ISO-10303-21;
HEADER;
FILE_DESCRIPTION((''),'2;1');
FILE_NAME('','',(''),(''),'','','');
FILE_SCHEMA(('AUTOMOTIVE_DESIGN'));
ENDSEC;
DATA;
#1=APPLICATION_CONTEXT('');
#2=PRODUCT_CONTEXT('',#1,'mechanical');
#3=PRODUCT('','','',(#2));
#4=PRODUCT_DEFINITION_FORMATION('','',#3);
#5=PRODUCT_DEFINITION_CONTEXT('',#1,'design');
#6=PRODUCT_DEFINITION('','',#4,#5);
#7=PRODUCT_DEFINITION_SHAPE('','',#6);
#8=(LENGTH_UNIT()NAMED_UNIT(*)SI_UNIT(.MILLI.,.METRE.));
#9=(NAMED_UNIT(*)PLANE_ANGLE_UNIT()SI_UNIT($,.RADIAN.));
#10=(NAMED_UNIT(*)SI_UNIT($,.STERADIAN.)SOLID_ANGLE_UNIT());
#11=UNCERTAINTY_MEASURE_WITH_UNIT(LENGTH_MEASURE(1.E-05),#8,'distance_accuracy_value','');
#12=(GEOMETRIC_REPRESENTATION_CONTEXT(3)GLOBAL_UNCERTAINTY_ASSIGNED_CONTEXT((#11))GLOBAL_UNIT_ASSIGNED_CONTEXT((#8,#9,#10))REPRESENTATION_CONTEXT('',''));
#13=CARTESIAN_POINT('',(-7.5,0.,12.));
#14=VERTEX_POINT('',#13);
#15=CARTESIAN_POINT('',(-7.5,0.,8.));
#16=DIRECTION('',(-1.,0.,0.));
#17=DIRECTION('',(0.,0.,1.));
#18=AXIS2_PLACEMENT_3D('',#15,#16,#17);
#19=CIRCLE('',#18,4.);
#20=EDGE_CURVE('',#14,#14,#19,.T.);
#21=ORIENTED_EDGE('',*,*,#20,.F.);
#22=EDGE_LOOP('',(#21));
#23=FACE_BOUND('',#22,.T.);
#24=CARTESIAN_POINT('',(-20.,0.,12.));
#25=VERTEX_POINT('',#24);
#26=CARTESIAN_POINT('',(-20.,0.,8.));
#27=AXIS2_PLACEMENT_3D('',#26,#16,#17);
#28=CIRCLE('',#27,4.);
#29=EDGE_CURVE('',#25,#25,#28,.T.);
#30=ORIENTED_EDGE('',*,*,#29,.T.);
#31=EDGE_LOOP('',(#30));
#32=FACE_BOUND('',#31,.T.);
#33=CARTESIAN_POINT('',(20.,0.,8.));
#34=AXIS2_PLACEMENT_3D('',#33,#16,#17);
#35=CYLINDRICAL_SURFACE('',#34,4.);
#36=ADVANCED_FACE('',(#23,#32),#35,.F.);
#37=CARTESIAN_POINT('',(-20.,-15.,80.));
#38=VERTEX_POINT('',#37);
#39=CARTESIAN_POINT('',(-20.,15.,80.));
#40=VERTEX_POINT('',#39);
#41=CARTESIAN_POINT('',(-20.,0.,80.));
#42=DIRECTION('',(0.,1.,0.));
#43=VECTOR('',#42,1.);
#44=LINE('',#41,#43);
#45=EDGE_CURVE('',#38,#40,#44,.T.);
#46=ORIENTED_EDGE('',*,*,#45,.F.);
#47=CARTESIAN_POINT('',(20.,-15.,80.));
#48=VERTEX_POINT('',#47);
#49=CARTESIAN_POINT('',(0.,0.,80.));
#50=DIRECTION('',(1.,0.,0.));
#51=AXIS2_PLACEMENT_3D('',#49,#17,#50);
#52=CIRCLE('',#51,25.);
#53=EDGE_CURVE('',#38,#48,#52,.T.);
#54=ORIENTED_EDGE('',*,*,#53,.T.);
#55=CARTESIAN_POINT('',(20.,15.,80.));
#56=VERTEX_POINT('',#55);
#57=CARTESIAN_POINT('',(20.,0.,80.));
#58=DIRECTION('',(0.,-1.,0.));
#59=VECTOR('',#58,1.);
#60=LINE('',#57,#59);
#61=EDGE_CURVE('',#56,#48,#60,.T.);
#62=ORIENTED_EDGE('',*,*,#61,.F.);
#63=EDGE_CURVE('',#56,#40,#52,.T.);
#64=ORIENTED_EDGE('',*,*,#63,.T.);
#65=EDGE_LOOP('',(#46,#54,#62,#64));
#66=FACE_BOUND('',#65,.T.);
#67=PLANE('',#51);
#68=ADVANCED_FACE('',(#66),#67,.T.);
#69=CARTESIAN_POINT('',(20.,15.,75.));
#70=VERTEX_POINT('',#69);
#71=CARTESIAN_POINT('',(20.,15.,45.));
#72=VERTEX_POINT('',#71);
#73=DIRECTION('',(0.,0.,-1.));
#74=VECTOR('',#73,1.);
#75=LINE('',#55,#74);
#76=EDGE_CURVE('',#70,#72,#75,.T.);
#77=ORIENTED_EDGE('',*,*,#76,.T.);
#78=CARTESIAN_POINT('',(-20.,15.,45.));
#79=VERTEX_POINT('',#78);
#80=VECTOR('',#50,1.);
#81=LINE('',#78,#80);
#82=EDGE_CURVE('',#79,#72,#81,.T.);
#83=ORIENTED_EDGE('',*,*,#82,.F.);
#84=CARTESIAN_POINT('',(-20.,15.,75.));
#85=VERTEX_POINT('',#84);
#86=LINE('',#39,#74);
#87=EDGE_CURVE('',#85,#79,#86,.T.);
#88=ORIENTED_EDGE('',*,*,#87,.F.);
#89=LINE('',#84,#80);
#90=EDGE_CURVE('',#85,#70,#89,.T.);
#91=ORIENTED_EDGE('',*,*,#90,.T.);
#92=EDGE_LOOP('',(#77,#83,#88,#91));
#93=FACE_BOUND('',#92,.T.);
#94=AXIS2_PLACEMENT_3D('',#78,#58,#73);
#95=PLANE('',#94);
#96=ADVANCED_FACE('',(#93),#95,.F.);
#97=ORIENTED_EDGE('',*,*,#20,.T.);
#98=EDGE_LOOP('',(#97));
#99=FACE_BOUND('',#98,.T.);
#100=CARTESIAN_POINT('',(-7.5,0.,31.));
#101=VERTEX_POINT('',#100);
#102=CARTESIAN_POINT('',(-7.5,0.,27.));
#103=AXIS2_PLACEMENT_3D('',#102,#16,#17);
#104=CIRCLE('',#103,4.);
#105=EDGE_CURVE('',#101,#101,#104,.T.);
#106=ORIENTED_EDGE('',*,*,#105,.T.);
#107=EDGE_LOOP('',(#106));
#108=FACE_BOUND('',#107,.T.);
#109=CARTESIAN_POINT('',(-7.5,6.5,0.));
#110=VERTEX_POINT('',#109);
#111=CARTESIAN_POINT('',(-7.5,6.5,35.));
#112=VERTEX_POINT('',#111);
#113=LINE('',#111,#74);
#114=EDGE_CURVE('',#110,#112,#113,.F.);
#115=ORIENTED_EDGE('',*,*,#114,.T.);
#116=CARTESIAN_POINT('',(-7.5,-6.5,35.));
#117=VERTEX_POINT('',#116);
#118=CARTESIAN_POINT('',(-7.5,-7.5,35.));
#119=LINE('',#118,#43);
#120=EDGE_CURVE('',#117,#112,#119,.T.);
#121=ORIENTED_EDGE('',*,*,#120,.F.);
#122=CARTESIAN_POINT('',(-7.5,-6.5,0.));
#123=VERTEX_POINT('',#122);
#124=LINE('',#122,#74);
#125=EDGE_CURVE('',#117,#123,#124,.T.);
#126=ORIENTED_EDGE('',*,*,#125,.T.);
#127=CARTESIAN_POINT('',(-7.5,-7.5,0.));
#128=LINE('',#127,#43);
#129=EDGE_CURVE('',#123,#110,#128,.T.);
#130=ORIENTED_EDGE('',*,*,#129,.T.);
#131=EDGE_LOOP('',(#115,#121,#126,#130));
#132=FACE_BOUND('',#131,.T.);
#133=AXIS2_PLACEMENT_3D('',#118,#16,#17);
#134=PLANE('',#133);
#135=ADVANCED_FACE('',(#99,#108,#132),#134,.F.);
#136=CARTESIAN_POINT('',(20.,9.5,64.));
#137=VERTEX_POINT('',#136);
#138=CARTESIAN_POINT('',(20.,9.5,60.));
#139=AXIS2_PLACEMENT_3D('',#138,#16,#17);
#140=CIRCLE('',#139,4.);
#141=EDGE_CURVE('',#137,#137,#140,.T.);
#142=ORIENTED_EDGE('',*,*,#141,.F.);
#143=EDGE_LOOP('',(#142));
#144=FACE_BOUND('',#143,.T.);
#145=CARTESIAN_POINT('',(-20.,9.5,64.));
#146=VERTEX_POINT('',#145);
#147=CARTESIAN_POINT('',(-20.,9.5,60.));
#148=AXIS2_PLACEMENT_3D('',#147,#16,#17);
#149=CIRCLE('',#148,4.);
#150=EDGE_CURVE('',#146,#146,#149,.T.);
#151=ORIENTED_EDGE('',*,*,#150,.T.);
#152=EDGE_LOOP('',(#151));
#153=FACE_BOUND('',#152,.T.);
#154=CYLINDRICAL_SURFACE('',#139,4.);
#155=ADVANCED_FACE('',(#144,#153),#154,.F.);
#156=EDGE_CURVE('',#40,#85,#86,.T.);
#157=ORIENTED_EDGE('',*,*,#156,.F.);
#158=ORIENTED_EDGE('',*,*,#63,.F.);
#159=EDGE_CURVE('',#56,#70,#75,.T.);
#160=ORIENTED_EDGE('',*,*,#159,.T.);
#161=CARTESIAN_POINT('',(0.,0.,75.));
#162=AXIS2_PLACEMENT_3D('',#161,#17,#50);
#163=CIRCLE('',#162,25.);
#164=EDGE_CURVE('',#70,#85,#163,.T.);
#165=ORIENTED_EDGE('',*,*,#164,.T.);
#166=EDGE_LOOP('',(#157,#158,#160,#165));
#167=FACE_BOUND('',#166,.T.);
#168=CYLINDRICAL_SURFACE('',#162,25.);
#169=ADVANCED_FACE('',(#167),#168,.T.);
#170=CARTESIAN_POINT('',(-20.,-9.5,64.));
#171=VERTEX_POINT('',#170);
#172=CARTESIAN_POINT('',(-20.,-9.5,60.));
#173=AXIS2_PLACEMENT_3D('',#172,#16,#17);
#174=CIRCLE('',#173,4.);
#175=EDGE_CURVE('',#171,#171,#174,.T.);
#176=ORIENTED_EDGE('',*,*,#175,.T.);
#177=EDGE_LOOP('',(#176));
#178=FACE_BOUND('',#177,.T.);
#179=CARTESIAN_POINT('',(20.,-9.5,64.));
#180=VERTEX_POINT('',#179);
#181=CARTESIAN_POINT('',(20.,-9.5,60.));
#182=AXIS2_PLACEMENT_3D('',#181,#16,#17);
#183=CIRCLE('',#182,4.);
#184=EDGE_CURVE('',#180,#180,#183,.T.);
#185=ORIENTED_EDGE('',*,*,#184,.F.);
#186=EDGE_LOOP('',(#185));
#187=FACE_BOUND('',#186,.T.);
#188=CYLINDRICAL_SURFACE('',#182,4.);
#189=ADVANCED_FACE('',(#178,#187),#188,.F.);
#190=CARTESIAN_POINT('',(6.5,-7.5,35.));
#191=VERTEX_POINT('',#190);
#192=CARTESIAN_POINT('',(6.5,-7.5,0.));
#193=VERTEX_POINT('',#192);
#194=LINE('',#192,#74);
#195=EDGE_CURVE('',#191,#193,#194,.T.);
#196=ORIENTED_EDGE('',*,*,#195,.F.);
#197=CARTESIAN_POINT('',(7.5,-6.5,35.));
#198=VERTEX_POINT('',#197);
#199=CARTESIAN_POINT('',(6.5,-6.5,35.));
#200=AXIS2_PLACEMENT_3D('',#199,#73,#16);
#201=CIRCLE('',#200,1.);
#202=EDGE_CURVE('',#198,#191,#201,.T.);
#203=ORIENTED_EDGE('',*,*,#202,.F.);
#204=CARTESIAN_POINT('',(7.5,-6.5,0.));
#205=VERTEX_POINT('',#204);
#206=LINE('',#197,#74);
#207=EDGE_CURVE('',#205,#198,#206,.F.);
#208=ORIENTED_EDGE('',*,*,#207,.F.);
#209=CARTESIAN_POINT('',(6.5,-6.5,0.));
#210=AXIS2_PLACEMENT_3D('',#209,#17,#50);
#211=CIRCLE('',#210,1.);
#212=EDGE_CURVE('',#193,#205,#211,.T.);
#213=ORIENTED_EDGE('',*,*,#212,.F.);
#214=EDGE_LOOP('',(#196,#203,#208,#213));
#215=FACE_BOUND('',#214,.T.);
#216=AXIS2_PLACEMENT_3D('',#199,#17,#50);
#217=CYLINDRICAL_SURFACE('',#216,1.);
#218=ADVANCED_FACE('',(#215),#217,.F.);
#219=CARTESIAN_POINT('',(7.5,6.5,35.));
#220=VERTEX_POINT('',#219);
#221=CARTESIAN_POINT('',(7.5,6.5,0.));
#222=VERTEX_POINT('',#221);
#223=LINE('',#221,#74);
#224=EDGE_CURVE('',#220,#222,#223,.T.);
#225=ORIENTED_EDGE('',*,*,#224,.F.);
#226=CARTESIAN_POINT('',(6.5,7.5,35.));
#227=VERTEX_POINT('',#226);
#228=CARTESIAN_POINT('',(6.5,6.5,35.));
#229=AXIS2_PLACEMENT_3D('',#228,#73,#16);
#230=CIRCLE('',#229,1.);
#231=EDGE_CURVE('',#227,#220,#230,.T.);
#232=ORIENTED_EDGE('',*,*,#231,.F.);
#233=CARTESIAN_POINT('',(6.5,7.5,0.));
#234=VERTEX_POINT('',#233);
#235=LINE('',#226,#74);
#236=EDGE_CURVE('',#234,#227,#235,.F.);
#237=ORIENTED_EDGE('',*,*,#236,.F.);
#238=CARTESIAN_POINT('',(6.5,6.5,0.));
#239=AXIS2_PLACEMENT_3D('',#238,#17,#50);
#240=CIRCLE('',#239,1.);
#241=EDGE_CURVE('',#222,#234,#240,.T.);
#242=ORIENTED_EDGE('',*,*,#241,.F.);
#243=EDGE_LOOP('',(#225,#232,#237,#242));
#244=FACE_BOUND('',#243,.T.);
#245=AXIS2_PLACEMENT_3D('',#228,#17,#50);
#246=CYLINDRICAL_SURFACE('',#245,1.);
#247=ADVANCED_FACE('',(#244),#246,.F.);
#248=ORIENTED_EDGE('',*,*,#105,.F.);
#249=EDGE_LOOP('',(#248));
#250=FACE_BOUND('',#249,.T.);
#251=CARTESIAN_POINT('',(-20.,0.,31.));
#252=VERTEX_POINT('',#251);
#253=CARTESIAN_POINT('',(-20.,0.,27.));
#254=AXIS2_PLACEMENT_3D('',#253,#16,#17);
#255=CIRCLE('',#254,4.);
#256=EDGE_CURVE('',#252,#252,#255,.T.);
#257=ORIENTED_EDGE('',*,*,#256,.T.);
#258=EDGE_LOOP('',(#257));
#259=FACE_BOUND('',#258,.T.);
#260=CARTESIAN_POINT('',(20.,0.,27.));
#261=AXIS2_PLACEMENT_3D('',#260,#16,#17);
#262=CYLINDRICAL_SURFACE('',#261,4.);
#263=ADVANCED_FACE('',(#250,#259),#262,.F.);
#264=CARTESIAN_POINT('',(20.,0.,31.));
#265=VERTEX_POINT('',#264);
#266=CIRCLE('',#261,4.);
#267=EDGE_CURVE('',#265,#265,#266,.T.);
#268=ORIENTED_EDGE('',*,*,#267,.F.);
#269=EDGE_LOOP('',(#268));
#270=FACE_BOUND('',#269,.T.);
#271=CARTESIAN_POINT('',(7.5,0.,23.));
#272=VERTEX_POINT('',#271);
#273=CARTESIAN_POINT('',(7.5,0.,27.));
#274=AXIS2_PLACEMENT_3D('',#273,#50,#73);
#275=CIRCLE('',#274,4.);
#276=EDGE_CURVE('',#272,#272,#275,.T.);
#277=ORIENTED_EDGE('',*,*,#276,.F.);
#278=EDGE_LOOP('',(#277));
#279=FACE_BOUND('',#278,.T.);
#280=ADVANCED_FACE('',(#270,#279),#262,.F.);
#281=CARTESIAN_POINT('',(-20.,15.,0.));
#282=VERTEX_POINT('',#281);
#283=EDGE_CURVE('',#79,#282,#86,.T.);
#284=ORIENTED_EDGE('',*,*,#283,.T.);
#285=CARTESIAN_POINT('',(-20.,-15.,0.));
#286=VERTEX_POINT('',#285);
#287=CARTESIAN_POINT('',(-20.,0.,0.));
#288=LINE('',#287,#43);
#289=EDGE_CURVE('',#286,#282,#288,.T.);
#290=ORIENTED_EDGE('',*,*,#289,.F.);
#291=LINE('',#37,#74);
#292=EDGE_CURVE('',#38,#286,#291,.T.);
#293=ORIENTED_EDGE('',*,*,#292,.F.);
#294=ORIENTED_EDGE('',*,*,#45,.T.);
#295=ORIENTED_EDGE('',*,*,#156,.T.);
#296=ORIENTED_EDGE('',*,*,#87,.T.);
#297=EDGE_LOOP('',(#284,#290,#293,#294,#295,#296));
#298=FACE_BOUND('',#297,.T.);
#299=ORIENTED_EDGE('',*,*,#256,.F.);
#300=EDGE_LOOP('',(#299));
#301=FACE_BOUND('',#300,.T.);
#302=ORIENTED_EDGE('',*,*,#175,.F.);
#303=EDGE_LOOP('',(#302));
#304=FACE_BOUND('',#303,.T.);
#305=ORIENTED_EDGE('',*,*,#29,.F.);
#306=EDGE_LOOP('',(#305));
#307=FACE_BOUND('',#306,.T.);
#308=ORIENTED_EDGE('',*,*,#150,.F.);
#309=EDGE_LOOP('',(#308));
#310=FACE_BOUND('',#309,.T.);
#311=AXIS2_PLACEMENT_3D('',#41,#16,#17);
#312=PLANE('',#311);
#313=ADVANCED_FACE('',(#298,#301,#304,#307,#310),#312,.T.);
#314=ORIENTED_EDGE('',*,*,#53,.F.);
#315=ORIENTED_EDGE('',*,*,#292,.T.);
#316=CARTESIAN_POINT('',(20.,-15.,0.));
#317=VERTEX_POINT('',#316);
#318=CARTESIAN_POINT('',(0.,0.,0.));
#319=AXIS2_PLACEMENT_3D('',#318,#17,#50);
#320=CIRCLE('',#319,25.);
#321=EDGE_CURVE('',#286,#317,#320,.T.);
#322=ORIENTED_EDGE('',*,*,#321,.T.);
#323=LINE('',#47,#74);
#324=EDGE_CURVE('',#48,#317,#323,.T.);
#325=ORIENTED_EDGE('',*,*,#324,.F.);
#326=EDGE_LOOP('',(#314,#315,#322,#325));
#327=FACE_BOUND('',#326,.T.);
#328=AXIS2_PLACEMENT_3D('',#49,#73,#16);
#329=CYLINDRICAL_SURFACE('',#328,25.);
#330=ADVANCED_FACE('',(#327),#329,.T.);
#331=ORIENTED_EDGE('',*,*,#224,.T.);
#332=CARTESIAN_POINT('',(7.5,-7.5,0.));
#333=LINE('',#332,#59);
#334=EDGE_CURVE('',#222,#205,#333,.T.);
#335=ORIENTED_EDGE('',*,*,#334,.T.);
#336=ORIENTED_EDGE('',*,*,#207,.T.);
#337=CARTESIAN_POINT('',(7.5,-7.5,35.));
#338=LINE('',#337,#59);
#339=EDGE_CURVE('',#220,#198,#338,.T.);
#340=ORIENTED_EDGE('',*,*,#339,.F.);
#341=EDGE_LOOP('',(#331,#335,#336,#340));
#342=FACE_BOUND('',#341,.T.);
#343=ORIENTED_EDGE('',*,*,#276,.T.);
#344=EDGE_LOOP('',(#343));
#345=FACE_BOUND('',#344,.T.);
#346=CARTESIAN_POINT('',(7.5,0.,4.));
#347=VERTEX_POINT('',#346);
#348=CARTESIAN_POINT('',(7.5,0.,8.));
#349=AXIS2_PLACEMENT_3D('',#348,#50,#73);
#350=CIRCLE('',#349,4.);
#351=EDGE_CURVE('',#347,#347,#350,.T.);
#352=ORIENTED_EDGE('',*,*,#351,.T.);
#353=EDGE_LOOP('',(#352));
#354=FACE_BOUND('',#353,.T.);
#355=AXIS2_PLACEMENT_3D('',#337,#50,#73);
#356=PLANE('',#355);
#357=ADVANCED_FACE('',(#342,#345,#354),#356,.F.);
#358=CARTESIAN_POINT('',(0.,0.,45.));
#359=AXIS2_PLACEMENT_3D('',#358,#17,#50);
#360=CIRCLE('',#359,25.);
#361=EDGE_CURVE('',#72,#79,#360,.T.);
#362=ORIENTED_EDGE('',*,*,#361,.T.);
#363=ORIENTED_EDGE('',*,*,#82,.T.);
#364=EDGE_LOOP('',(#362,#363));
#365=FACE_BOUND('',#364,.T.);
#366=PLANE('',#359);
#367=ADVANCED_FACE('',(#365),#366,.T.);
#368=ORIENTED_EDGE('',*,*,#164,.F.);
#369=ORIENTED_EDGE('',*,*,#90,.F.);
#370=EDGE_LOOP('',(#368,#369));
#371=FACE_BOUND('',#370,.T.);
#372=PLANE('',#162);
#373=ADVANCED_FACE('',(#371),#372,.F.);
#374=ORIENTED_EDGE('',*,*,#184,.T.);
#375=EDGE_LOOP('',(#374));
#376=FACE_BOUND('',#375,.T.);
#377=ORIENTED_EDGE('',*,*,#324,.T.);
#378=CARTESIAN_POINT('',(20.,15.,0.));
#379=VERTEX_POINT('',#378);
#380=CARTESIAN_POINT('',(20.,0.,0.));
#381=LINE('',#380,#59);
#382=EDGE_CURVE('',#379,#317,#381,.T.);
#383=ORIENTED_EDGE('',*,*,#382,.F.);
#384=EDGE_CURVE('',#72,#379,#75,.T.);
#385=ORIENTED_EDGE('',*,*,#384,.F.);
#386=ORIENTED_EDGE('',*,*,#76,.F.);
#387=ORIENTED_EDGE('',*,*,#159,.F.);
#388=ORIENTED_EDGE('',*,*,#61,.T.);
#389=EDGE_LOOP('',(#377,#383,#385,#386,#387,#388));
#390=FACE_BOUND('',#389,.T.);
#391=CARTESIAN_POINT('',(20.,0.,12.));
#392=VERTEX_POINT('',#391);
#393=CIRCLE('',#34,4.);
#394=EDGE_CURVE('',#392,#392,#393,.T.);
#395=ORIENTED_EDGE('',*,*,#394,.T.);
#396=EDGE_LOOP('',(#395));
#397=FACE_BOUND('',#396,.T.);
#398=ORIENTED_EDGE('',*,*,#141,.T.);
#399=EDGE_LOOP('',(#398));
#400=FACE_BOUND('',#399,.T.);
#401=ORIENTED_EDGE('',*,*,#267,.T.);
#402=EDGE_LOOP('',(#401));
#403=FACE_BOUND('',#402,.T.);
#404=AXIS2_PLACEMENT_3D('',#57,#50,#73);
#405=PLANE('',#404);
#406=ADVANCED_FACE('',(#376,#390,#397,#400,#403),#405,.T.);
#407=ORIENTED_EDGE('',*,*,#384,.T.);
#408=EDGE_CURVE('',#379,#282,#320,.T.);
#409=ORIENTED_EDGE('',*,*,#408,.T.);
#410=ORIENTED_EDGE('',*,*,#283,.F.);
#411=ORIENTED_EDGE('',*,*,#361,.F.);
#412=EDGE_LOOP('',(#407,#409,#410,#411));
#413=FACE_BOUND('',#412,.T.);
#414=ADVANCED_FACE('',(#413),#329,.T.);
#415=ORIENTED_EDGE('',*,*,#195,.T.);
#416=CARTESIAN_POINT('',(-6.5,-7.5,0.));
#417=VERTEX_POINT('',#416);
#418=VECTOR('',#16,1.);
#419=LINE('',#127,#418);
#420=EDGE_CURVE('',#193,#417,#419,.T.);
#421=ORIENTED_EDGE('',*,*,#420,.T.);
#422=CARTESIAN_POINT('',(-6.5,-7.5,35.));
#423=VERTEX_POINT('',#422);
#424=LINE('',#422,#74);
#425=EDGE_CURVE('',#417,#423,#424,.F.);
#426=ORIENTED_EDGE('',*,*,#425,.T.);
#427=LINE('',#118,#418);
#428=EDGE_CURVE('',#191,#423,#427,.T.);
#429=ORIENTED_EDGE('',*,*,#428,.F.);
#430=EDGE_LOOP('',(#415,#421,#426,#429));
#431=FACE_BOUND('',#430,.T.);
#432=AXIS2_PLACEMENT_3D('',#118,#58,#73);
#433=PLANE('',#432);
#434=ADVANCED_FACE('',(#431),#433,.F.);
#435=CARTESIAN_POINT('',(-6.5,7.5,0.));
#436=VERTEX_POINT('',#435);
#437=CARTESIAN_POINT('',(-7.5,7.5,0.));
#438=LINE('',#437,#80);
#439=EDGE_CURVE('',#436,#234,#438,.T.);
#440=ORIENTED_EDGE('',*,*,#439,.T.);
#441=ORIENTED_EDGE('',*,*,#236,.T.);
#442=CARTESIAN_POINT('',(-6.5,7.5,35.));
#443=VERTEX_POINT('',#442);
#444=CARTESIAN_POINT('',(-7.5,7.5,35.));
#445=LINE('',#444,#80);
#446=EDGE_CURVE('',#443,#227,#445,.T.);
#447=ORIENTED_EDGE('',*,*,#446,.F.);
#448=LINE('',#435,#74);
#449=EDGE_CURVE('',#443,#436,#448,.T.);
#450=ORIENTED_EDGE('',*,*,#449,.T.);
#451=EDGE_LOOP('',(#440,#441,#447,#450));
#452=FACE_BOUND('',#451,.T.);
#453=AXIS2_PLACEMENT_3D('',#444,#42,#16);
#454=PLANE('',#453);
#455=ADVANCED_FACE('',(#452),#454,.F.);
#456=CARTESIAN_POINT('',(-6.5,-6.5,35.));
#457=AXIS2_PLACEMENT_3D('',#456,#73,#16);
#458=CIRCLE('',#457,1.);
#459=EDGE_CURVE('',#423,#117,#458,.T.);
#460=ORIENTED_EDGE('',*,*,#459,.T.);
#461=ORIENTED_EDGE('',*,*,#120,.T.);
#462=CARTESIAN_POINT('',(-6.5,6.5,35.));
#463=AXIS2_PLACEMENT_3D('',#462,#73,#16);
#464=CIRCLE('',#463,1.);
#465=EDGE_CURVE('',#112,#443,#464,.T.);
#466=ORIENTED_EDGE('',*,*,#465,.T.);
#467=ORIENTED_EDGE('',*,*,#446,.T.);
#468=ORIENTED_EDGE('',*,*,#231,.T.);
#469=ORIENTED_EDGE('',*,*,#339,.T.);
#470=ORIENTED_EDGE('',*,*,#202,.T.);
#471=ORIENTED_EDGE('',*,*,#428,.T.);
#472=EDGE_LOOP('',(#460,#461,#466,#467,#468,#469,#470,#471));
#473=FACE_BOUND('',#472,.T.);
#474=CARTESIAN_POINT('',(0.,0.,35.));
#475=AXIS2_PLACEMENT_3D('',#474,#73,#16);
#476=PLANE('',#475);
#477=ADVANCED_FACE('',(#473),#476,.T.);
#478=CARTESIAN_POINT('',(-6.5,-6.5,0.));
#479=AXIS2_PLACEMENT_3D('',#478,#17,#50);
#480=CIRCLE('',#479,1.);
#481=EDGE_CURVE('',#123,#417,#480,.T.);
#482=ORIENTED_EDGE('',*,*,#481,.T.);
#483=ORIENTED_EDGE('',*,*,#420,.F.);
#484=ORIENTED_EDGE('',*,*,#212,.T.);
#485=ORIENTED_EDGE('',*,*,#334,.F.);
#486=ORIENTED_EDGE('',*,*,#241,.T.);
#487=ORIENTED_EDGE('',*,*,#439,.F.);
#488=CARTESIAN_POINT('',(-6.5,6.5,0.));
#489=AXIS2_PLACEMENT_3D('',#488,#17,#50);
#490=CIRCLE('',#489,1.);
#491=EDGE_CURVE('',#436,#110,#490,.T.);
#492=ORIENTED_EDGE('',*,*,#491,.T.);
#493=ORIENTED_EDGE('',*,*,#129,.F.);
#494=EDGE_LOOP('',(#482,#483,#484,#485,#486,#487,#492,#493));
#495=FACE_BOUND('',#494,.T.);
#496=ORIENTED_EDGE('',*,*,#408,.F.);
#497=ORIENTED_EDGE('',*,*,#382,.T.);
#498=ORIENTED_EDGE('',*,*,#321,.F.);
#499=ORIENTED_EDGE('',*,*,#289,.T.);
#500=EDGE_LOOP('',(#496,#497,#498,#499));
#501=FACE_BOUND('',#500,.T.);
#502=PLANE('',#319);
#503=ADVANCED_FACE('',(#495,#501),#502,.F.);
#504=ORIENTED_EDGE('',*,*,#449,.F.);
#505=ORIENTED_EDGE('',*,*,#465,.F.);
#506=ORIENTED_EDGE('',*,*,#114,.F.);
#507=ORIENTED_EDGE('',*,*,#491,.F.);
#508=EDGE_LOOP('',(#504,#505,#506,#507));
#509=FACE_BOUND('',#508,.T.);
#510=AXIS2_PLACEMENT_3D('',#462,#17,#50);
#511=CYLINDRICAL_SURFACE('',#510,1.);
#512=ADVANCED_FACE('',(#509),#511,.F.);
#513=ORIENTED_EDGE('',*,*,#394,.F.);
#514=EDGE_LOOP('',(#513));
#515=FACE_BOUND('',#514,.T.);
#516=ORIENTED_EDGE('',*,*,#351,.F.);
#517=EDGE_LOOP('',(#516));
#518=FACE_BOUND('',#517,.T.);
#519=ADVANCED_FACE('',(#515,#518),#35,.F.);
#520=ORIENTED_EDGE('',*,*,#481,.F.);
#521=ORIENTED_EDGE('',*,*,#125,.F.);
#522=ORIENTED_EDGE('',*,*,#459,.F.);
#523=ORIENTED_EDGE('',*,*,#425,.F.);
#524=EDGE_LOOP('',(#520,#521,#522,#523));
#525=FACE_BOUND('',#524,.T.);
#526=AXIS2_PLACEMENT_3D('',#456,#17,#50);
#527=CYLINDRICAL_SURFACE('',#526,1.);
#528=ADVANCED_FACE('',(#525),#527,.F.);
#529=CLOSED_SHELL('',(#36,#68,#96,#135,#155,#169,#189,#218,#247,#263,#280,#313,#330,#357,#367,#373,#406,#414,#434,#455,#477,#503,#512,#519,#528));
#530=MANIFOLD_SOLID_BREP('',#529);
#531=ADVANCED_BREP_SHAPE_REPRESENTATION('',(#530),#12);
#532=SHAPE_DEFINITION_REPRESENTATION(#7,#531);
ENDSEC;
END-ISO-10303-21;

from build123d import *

# Parameters (mm, degrees)
EXTRUDE_1_DEPTH     = 80
SKETCH_2_W          = 15
SKETCH_2_H          = 15
CUT_EXTRUDE_1_DEPTH = 35
SKETCH_3_R          = 4
CUT_EXTRUDE_2_DEPTH = 93.870878105
CUT_EXTRUDE_START   = -35
CUT_EXTRUDE_4_DEPTH = 35
FILLET_1_R          = 1
EXTRUDE_START       = -5
EXTRUDE_2_DEPTH     = 5


with BuildPart() as part:
    # 草图1 → 凸台-拉伸1 (new body)
    with BuildSketch(Plane.XY):
        with BuildLine():
            Line((-20, 15), (-20, -15))
            ThreePointArc((-20, -15), (0, -25), (20, -15))
            Line((20, -15), (20, 15))
            ThreePointArc((20, 15), (0, 25), (-20, 15))
        make_face()
    extrude(amount=EXTRUDE_1_DEPTH)

    # 草图2 → 切除-拉伸1 (cut)
    with BuildSketch(Plane(origin=(0, 0, 0), x_dir=(-1, 0, 0), z_dir=(0, 0, -1))):
        Rectangle(SKETCH_2_W, SKETCH_2_H)
    extrude(amount=-CUT_EXTRUDE_1_DEPTH, mode=Mode.SUBTRACT)

    # 草图3 → 切除-拉伸2 (cut, through all)
    with BuildSketch(Plane.ZY.offset(20)):
        with Locations((8, 0)):
            Circle(SKETCH_3_R)
        with Locations((27, 0)):
            Circle(SKETCH_3_R)
        with Locations((60, 9.5)):
            Circle(SKETCH_3_R)
        with Locations((60, -9.5)):
            Circle(SKETCH_3_R)
    extrude(amount=-CUT_EXTRUDE_2_DEPTH, mode=Mode.SUBTRACT)

    # 草图6 → 切除-拉伸4 (cut)
    with BuildSketch(Plane.XY.offset(80).offset(CUT_EXTRUDE_START)):
        with BuildLine():
            Line((-20, 15), (20, 15))
            ThreePointArc((20, 15), (0, 25), (-20, 15))
        make_face()
    extrude(amount=CUT_EXTRUDE_4_DEPTH, mode=Mode.SUBTRACT)

    # 圆角1
    fillet_1_edges = [part.edges().sort_by_distance(p)[0] for p in [
        (7.5, -7.5, 17.5),
        (7.5, 7.5, 17.5),
        (-7.5, 7.5, 17.5),
        (-7.5, -7.5, 17.5),
    ]]
    fillet(fillet_1_edges, radius=FILLET_1_R)

    # 草图6<2> → 凸台-拉伸2 (add)
    with BuildSketch(Plane.XY.offset(80).offset(EXTRUDE_START)):
        with BuildLine():
            Line((-20, 15), (20, 15))
            ThreePointArc((20, 15), (0, 25), (-20, 15))
        make_face()
    extrude(amount=EXTRUDE_2_DEPTH)


solid = part.part
